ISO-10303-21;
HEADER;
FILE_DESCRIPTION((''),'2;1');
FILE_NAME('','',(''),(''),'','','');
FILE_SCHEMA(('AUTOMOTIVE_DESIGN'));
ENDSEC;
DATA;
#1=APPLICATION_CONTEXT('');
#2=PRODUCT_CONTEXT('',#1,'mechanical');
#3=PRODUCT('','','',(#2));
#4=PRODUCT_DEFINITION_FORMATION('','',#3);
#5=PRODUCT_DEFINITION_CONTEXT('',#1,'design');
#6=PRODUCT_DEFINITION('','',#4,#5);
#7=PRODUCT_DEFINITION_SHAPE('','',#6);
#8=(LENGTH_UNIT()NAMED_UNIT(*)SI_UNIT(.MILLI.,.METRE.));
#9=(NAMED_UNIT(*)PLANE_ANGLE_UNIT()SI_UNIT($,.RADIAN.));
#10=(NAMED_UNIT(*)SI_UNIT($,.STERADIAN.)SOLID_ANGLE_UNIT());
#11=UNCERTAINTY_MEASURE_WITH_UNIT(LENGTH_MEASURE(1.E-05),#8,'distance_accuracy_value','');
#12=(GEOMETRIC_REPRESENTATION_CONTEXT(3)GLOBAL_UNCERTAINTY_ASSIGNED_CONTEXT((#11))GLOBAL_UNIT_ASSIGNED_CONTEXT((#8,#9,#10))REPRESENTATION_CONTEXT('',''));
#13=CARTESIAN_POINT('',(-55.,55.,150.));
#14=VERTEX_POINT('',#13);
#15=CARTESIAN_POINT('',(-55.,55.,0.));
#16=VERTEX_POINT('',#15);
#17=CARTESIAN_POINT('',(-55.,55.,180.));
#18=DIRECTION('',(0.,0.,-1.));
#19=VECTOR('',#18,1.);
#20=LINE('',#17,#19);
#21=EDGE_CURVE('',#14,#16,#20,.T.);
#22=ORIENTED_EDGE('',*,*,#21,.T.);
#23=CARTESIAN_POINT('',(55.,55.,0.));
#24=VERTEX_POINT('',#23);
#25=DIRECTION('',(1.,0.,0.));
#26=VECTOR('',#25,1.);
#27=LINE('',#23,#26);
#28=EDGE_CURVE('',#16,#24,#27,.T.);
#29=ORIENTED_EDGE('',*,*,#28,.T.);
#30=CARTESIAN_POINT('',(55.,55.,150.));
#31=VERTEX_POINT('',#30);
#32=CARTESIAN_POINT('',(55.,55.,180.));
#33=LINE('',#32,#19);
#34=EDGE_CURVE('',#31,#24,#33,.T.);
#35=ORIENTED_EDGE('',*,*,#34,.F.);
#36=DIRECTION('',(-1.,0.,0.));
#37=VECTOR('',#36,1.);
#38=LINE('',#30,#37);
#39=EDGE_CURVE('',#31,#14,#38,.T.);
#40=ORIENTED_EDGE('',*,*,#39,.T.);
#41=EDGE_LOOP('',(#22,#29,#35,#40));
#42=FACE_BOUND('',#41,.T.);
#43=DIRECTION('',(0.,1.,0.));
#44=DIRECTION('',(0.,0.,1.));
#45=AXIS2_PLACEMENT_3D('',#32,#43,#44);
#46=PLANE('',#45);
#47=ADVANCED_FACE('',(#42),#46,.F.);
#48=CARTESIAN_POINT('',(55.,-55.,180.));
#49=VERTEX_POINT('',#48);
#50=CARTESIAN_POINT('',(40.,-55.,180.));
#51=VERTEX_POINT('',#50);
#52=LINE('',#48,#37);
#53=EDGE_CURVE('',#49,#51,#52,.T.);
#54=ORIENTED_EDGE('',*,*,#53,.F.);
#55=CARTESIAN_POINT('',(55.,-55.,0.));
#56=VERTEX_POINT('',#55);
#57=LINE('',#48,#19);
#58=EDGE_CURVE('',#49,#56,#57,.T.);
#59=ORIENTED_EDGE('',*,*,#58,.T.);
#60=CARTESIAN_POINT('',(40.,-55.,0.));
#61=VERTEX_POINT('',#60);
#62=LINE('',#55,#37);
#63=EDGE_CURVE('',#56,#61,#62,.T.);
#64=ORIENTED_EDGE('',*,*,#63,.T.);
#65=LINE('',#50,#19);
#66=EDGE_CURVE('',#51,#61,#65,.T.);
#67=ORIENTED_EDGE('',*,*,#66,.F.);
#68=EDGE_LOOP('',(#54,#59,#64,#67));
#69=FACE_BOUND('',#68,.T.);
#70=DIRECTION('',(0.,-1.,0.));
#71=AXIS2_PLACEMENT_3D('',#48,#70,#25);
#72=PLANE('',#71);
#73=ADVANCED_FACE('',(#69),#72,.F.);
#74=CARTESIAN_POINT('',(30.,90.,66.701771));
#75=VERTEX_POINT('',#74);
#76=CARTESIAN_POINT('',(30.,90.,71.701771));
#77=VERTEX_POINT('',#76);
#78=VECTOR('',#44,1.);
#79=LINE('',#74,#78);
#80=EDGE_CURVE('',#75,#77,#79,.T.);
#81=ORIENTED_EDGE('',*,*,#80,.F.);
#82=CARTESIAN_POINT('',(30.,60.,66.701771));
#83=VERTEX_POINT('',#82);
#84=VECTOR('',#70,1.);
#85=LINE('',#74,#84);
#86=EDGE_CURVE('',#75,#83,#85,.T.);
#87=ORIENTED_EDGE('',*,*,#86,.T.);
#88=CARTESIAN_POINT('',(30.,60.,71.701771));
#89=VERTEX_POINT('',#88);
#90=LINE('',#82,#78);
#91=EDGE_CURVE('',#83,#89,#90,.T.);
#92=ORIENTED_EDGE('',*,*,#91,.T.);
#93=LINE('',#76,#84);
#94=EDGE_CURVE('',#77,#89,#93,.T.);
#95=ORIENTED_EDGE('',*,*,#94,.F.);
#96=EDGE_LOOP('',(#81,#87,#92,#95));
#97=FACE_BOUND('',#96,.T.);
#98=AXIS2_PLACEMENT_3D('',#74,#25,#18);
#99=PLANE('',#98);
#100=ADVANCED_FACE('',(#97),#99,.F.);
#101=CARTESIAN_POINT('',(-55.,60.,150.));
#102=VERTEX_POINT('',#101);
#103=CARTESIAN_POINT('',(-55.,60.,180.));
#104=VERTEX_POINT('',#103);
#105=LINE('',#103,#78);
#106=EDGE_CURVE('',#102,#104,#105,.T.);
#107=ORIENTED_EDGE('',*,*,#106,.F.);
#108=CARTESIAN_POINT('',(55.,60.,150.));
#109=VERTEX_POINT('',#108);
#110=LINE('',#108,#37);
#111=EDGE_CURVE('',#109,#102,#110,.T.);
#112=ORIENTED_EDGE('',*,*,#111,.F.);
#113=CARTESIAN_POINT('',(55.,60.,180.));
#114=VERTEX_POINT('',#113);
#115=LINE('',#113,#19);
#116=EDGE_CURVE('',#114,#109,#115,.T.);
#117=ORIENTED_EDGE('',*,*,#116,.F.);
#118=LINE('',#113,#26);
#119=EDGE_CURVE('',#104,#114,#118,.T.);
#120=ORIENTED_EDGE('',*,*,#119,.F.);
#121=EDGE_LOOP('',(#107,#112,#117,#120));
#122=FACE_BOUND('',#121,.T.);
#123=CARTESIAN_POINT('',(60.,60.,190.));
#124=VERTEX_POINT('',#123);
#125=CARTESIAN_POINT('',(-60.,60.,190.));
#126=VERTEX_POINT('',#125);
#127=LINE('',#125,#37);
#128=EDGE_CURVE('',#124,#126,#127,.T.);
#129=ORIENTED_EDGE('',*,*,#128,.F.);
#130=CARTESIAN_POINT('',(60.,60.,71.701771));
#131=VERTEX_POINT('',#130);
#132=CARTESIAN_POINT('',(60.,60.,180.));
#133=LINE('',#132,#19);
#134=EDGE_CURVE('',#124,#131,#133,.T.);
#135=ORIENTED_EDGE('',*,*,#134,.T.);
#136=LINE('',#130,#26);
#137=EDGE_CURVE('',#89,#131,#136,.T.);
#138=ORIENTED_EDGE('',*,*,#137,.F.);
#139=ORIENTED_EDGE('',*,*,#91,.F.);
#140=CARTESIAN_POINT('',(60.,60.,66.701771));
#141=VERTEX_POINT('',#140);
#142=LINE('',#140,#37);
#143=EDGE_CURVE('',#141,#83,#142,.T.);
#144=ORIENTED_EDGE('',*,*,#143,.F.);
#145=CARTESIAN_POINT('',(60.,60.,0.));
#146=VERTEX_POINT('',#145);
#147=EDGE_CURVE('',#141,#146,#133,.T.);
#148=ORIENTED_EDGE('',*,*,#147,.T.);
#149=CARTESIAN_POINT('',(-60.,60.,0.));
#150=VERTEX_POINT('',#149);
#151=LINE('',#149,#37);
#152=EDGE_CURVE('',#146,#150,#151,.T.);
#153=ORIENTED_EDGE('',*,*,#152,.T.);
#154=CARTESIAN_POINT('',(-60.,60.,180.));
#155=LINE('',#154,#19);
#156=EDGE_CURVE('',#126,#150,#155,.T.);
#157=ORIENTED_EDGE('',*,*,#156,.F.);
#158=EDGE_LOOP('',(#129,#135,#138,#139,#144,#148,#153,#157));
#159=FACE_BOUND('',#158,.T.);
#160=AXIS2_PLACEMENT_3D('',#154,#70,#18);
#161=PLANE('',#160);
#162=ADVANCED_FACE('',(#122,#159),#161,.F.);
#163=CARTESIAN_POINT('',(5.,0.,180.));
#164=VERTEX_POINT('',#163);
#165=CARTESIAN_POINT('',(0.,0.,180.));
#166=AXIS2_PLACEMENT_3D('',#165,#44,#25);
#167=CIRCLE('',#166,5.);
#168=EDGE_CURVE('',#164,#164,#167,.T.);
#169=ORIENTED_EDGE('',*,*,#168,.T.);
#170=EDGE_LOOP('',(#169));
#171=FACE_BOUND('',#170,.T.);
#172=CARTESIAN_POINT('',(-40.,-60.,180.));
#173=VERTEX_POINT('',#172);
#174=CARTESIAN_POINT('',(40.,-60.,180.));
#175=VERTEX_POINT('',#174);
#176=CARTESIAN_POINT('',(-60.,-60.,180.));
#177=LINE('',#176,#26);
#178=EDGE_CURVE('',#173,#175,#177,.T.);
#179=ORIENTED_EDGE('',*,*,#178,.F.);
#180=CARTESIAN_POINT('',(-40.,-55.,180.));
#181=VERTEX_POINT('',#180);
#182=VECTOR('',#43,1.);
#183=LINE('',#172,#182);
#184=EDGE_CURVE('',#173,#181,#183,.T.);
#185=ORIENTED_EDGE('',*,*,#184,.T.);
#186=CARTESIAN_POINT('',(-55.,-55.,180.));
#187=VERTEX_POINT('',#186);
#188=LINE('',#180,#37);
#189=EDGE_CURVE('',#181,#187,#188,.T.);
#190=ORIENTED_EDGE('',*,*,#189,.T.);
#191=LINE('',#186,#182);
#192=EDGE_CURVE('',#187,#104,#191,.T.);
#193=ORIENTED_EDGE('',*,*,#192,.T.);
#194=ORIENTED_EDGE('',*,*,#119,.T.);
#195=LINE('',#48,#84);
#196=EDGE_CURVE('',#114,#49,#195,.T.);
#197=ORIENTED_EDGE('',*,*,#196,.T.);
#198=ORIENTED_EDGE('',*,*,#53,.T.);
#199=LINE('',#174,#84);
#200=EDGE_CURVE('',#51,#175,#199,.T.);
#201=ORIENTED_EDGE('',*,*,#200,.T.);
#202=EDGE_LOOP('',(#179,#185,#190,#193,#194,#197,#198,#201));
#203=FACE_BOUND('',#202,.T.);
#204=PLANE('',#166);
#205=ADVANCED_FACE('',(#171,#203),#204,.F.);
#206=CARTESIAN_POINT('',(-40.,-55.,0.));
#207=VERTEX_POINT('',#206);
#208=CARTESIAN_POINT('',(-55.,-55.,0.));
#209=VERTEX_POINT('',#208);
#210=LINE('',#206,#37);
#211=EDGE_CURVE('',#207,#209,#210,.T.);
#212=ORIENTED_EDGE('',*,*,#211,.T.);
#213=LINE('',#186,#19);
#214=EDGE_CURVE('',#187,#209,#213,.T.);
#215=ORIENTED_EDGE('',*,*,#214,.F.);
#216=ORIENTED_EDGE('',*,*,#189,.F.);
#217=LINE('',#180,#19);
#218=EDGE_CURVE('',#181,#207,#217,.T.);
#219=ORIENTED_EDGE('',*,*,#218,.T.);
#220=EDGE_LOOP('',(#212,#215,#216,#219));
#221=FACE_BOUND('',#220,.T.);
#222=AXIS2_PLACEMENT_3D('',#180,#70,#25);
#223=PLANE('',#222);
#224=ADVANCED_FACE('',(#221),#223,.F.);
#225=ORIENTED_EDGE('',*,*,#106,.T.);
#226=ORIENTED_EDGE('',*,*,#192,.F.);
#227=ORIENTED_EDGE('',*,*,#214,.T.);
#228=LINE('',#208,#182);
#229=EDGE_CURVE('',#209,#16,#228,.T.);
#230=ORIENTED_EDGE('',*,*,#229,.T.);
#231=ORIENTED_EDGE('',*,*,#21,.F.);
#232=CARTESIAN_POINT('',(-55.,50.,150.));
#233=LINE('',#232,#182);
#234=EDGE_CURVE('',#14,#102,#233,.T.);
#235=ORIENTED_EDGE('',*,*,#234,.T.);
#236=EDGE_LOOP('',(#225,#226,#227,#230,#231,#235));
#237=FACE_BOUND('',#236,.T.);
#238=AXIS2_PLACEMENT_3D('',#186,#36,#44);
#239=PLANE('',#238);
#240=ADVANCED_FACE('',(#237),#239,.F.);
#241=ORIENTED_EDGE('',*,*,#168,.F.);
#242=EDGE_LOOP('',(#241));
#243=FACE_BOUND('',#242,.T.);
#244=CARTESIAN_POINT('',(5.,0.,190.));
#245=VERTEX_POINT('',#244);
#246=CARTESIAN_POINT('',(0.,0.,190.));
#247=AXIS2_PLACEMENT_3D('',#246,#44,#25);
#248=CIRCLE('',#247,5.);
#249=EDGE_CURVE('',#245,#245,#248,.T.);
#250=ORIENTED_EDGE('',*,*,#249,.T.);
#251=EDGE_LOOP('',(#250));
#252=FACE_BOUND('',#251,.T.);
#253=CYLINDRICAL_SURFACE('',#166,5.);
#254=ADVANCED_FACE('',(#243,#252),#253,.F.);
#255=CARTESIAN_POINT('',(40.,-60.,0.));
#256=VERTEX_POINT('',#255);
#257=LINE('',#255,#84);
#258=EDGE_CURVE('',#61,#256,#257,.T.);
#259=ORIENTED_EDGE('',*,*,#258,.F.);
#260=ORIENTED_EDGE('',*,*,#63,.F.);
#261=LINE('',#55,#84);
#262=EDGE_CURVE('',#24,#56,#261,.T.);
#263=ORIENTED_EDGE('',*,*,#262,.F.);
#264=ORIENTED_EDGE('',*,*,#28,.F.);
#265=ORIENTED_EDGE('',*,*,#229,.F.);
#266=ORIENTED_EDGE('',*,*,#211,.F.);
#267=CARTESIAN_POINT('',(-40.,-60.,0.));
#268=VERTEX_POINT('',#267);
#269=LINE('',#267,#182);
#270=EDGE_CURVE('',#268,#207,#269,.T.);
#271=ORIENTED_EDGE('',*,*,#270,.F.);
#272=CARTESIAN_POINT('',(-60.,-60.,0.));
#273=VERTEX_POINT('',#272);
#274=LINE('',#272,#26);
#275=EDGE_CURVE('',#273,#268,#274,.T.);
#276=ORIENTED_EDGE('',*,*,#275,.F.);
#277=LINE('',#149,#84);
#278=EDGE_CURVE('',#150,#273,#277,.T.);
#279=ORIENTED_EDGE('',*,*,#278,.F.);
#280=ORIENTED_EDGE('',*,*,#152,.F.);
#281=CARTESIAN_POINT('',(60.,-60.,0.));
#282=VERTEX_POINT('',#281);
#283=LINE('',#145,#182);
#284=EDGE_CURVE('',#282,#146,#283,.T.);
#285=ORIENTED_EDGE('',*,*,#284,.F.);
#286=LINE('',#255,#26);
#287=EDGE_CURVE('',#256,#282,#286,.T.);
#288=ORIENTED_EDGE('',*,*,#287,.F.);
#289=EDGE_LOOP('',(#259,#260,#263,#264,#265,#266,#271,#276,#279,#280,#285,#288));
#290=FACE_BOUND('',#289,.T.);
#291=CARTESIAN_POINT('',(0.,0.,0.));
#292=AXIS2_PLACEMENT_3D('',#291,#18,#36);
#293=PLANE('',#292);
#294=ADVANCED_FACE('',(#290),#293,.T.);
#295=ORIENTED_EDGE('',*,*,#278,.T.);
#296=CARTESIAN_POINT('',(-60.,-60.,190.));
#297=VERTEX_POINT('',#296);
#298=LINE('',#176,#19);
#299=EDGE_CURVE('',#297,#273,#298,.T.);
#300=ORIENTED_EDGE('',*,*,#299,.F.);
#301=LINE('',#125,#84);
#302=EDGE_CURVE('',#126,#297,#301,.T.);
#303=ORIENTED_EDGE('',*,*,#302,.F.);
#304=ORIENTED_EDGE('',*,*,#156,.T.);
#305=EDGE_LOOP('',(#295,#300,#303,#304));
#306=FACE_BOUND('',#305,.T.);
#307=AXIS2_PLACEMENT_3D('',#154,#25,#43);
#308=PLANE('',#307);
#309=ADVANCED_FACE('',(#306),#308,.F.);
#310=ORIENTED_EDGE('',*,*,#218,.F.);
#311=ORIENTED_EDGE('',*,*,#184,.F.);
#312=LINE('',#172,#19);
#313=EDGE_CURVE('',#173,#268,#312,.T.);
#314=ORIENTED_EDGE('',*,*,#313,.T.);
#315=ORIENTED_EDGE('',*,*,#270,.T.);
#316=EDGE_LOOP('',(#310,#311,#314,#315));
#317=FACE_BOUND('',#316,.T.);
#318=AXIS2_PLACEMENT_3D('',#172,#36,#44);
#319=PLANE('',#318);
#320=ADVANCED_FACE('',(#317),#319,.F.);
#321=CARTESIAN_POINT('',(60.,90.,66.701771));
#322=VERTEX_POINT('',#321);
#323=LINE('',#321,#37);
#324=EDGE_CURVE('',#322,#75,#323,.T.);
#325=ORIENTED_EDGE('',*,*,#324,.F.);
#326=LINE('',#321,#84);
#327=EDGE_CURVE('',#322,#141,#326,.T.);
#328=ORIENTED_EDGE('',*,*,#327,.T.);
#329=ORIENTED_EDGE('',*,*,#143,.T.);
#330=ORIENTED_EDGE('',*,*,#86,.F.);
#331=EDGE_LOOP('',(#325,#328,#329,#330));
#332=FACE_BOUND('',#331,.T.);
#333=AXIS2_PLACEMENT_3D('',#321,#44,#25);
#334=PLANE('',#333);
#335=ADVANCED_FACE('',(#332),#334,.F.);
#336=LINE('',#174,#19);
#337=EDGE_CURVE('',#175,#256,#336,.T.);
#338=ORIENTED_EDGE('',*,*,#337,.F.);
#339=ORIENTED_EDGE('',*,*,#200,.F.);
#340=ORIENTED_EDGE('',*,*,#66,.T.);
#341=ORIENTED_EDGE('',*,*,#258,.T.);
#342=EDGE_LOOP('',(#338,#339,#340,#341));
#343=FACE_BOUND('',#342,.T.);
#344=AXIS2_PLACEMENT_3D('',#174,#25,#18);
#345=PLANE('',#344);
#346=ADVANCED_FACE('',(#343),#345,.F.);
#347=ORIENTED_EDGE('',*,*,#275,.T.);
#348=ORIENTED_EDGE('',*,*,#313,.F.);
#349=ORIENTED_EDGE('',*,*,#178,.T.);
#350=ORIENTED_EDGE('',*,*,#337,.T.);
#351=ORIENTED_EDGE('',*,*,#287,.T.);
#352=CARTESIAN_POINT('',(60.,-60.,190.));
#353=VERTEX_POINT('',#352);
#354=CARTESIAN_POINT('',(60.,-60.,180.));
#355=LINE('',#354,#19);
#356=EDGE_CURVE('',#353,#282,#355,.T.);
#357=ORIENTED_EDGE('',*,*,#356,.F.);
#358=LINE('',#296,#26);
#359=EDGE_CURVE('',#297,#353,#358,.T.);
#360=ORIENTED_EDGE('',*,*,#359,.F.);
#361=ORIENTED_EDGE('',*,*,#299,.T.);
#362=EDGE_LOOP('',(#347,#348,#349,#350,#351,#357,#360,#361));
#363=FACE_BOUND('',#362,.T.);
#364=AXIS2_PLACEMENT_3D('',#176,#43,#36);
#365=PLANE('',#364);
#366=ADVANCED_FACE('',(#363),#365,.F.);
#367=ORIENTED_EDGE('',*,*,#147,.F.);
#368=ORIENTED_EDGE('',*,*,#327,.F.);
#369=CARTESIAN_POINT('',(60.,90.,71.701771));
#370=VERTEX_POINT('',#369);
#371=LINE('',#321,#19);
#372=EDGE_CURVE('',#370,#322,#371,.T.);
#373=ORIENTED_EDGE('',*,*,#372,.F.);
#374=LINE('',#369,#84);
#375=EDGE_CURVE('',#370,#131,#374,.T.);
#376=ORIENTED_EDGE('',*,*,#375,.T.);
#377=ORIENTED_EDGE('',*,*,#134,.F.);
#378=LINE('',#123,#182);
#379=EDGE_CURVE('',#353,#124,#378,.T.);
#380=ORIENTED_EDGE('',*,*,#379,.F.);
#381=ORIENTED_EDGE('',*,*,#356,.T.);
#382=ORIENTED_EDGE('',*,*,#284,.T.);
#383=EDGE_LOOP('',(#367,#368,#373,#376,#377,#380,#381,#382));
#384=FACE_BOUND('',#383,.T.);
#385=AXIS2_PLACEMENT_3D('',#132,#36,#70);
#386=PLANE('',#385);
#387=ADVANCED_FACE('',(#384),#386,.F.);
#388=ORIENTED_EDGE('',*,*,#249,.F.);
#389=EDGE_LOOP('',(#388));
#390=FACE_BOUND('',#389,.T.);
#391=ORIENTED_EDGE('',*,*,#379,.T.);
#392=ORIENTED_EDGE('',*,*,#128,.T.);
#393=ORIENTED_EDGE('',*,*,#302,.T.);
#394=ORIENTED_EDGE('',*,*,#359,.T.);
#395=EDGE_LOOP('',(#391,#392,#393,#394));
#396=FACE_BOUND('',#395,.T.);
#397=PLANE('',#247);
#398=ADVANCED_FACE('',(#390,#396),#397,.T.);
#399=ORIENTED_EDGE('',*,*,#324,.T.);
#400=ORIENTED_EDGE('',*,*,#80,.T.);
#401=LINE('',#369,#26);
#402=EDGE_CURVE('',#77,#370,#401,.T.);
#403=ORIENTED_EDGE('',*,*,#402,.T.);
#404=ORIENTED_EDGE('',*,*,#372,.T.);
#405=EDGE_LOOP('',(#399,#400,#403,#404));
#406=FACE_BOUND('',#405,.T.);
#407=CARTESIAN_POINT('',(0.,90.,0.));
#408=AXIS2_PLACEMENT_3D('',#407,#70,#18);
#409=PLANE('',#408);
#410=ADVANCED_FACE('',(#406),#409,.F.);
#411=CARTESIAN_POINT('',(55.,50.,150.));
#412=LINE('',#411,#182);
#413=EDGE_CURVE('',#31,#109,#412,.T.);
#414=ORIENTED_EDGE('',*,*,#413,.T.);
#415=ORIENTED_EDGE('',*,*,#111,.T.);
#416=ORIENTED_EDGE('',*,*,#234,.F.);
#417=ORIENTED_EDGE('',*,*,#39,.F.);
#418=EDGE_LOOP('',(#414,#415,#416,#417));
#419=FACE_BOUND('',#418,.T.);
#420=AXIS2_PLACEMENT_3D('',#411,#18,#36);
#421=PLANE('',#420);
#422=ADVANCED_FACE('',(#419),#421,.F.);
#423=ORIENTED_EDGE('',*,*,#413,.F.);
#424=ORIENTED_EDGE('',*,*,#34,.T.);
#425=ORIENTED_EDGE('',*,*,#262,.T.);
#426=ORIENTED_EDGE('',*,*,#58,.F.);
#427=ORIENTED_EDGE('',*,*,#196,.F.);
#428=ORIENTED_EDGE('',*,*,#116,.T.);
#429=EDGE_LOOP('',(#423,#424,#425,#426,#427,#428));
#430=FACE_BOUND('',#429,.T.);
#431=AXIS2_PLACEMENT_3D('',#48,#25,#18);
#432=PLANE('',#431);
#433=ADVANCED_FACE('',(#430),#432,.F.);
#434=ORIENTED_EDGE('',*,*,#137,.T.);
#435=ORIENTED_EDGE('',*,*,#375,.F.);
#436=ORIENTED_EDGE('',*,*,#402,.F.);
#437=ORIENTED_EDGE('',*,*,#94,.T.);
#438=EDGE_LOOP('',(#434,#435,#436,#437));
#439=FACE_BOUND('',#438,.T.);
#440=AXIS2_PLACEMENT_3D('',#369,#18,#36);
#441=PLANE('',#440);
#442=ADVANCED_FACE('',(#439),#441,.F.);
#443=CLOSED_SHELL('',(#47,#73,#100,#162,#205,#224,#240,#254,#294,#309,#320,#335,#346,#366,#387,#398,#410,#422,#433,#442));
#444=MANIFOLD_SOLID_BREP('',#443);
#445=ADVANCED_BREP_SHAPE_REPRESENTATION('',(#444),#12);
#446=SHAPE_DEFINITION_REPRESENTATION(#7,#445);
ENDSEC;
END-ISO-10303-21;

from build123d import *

# Parameters (mm, degrees)
BOSS_EXTRUDE1_DEPTH = 180
SKETCH2_W           = 120
SKETCH2_H           = 120
BOSS_EXTRUDE2_DEPTH = 10
SKETCH3_R           = 5
CUT_EXTRUDE1_DEPTH  = 10
SKETCH4_W           = 110
SKETCH4_H           = 30
CUT_EXTRUDE2_DEPTH  = 10
SKETCH5_W           = 30
SKETCH5_H           = 5
BOSS_EXTRUDE3_DEPTH = 30


with BuildPart() as part:
    # Sketch1 → Boss-Extrude1 (new body)
    with BuildSketch(Plane.XY):
        Polygon((-60, 60), (60, 60), (60, -60), (40, -60), (40, -55), (55, -55), (55, 55), (-55, 55), (-55, -55), (-40, -55), (-40, -60), (-60, -60), align=None)
    extrude(amount=BOSS_EXTRUDE1_DEPTH)

    # Sketch2 → Boss-Extrude2 (add)
    with BuildSketch(Plane.XY.offset(180)):
        Rectangle(SKETCH2_W, SKETCH2_H)
    extrude(amount=BOSS_EXTRUDE2_DEPTH)

    # Sketch3 → Cut-Extrude1 (cut)
    with BuildSketch(Plane.XY.offset(190)):
        Circle(SKETCH3_R)
    extrude(amount=-CUT_EXTRUDE1_DEPTH, mode=Mode.SUBTRACT)

    # Sketch4 → Cut-Extrude2 (cut)
    with BuildSketch(Plane(origin=(0, 60, 0), x_dir=(1, 0, 0), z_dir=(0, 1, 0))):
        with Locations((0, -165)):
            Rectangle(SKETCH4_W, SKETCH4_H)
    extrude(amount=-CUT_EXTRUDE2_DEPTH, mode=Mode.SUBTRACT)

    # Sketch5 → Boss-Extrude3 (add)
    with BuildSketch(Plane(origin=(0, 60, 0), x_dir=(1, 0, 0), z_dir=(0, 1, 0))):
        with Locations((45, -69.201770824)):
            Rectangle(SKETCH5_W, SKETCH5_H)
    extrude(amount=BOSS_EXTRUDE3_DEPTH)


solid = part.part
